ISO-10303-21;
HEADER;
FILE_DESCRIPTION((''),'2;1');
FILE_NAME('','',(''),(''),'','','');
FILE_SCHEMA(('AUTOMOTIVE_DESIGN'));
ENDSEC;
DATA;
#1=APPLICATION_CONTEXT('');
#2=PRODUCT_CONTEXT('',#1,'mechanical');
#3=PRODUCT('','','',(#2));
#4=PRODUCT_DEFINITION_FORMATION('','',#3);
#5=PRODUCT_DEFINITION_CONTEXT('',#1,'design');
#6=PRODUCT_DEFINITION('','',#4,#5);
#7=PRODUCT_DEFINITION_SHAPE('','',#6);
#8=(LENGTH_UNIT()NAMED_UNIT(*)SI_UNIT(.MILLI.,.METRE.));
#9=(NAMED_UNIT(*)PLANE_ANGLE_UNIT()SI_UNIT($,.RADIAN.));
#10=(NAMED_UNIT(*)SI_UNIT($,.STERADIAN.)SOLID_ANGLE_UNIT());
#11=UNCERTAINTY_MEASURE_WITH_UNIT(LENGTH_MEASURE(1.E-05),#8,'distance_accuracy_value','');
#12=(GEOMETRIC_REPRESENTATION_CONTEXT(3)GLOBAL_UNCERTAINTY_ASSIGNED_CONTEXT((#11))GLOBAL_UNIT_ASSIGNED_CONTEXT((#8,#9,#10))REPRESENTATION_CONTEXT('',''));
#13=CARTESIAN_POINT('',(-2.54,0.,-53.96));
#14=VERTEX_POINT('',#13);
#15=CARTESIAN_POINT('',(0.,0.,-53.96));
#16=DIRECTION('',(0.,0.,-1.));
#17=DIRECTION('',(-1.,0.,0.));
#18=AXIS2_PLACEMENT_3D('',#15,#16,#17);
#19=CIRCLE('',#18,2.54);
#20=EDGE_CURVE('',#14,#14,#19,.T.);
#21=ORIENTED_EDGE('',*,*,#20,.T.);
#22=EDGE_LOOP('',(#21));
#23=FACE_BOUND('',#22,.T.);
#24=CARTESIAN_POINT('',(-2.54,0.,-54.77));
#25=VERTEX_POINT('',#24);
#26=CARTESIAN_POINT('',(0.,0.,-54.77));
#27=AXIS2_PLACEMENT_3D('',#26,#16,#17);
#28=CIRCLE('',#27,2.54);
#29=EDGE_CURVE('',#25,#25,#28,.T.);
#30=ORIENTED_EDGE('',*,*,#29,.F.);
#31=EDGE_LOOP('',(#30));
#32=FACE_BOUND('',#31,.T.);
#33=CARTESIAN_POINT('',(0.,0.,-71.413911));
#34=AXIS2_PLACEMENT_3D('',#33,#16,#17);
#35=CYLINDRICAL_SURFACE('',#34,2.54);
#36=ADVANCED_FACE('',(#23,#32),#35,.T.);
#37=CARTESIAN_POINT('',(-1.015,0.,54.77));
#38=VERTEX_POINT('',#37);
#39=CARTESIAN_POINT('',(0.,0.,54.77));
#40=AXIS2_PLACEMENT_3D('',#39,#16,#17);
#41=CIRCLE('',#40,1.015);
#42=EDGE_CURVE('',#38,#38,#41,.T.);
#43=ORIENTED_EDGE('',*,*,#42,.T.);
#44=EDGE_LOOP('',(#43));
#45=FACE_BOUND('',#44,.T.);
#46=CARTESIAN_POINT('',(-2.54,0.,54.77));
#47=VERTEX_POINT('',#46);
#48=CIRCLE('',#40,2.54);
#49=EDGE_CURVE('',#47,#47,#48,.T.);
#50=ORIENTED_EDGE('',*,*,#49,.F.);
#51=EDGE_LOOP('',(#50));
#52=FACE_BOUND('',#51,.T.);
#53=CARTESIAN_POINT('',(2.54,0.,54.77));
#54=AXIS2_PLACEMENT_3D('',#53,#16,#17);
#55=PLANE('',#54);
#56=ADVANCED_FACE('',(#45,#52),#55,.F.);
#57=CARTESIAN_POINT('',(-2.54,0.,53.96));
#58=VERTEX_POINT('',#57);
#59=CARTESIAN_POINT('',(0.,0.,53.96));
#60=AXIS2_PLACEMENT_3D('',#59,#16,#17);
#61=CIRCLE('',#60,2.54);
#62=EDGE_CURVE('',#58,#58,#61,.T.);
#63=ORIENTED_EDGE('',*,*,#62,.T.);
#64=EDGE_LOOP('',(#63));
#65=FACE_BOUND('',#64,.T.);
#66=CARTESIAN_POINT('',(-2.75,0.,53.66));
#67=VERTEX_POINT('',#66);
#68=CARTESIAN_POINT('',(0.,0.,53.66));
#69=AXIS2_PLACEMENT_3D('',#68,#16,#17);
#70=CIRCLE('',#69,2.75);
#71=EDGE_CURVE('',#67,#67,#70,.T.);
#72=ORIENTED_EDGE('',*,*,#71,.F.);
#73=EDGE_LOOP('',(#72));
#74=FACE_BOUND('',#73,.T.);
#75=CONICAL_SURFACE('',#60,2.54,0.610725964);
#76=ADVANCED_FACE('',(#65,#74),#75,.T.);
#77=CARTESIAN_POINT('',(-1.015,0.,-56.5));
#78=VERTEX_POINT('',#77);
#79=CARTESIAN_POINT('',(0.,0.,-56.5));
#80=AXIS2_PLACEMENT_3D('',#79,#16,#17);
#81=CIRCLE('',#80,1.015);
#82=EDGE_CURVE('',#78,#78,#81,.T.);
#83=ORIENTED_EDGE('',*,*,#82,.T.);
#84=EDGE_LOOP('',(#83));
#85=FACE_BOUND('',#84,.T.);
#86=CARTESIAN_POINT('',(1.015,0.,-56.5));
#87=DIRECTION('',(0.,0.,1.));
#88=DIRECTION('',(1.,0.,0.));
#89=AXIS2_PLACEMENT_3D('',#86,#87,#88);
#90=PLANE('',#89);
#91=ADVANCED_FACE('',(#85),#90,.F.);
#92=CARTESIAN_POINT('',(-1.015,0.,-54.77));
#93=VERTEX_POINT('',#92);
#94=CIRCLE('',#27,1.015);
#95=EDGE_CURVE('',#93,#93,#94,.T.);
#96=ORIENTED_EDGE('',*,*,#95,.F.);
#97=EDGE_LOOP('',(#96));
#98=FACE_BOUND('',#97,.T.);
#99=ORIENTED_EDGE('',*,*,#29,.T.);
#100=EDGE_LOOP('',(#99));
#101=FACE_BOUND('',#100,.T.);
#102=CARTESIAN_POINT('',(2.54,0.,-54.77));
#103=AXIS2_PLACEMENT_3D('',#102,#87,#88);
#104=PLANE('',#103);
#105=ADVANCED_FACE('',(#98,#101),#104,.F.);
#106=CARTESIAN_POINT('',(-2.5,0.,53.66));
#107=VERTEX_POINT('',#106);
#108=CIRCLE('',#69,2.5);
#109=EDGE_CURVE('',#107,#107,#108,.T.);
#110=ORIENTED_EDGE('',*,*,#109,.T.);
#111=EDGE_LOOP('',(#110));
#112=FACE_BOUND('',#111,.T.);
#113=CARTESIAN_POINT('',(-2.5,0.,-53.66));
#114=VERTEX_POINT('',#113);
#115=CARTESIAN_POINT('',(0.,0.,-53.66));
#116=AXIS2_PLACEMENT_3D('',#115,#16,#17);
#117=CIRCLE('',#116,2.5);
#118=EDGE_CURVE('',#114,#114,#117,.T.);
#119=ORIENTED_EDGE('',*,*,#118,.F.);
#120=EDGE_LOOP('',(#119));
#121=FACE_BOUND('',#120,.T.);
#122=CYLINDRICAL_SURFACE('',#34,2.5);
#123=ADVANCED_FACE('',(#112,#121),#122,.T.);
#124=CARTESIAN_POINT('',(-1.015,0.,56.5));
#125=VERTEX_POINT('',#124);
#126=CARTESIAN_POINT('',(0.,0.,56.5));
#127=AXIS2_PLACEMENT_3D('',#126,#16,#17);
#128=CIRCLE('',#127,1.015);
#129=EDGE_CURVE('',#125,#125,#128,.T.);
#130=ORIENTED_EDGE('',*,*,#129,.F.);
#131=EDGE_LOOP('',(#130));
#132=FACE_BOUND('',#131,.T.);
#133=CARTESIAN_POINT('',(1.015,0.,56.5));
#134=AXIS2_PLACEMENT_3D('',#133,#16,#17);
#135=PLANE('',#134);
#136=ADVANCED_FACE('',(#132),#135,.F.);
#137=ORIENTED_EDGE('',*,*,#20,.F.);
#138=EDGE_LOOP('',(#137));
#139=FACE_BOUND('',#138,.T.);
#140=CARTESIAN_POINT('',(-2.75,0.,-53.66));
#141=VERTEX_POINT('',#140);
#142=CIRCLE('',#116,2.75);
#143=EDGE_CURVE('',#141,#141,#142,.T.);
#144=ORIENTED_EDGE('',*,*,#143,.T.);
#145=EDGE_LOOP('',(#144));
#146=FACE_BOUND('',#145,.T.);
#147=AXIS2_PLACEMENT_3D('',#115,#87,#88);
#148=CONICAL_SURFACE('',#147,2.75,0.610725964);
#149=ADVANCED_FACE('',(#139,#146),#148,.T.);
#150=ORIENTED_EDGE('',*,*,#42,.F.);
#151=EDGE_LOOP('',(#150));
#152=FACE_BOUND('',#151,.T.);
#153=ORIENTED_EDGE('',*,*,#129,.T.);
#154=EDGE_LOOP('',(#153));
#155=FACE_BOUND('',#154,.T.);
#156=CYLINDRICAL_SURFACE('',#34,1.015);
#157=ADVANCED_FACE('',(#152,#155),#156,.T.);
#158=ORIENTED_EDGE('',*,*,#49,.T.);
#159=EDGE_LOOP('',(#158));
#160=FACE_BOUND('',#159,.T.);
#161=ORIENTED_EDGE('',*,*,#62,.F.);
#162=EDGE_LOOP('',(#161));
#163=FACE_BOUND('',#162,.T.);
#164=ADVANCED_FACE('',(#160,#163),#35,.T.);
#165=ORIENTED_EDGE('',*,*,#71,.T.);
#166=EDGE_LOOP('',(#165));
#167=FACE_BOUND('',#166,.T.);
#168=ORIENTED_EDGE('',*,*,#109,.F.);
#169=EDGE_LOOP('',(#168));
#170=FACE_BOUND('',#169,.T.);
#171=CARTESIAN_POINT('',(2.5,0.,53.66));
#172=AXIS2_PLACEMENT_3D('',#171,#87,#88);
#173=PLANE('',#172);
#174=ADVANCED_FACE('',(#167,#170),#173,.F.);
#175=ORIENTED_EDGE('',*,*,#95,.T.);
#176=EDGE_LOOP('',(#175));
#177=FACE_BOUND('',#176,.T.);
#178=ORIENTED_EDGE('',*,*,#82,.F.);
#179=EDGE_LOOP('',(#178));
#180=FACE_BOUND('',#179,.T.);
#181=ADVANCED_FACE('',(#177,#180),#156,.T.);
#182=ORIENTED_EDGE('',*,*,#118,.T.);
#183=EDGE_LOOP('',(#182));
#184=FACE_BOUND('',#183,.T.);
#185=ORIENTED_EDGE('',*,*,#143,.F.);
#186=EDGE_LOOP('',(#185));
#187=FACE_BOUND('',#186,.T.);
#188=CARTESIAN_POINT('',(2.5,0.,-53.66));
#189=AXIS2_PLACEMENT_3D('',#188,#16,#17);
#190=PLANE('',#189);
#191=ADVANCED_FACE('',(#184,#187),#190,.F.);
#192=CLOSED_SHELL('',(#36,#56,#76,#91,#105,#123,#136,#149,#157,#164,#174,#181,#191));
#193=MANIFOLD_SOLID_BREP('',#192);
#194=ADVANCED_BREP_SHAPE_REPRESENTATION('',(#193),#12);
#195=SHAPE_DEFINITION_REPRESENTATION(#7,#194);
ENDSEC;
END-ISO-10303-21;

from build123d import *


with BuildPart() as part:
    # Sketch1 → Revolve1 (revolve)
    with BuildSketch(Plane(origin=(0, 0, 0), x_dir=(1, 0, 0), z_dir=(0, 1, 0))):
        Polygon((0, 56.5), (0, 54.77), (0, -54.77), (0, -56.5), (1.015, -56.5), (1.015, -54.77), (2.54, -54.77), (2.54, -53.96), (2.75, -53.66), (2.5, -53.66), (2.5, 53.66), (2.75, 53.66), (2.54, 53.96), (2.54, 54.77), (1.015, 54.77), (1.015, 56.5), align=None)
    revolve(axis=Axis((0, 0, -71.413911165), (0, 0, 1)))


solid = part.part
